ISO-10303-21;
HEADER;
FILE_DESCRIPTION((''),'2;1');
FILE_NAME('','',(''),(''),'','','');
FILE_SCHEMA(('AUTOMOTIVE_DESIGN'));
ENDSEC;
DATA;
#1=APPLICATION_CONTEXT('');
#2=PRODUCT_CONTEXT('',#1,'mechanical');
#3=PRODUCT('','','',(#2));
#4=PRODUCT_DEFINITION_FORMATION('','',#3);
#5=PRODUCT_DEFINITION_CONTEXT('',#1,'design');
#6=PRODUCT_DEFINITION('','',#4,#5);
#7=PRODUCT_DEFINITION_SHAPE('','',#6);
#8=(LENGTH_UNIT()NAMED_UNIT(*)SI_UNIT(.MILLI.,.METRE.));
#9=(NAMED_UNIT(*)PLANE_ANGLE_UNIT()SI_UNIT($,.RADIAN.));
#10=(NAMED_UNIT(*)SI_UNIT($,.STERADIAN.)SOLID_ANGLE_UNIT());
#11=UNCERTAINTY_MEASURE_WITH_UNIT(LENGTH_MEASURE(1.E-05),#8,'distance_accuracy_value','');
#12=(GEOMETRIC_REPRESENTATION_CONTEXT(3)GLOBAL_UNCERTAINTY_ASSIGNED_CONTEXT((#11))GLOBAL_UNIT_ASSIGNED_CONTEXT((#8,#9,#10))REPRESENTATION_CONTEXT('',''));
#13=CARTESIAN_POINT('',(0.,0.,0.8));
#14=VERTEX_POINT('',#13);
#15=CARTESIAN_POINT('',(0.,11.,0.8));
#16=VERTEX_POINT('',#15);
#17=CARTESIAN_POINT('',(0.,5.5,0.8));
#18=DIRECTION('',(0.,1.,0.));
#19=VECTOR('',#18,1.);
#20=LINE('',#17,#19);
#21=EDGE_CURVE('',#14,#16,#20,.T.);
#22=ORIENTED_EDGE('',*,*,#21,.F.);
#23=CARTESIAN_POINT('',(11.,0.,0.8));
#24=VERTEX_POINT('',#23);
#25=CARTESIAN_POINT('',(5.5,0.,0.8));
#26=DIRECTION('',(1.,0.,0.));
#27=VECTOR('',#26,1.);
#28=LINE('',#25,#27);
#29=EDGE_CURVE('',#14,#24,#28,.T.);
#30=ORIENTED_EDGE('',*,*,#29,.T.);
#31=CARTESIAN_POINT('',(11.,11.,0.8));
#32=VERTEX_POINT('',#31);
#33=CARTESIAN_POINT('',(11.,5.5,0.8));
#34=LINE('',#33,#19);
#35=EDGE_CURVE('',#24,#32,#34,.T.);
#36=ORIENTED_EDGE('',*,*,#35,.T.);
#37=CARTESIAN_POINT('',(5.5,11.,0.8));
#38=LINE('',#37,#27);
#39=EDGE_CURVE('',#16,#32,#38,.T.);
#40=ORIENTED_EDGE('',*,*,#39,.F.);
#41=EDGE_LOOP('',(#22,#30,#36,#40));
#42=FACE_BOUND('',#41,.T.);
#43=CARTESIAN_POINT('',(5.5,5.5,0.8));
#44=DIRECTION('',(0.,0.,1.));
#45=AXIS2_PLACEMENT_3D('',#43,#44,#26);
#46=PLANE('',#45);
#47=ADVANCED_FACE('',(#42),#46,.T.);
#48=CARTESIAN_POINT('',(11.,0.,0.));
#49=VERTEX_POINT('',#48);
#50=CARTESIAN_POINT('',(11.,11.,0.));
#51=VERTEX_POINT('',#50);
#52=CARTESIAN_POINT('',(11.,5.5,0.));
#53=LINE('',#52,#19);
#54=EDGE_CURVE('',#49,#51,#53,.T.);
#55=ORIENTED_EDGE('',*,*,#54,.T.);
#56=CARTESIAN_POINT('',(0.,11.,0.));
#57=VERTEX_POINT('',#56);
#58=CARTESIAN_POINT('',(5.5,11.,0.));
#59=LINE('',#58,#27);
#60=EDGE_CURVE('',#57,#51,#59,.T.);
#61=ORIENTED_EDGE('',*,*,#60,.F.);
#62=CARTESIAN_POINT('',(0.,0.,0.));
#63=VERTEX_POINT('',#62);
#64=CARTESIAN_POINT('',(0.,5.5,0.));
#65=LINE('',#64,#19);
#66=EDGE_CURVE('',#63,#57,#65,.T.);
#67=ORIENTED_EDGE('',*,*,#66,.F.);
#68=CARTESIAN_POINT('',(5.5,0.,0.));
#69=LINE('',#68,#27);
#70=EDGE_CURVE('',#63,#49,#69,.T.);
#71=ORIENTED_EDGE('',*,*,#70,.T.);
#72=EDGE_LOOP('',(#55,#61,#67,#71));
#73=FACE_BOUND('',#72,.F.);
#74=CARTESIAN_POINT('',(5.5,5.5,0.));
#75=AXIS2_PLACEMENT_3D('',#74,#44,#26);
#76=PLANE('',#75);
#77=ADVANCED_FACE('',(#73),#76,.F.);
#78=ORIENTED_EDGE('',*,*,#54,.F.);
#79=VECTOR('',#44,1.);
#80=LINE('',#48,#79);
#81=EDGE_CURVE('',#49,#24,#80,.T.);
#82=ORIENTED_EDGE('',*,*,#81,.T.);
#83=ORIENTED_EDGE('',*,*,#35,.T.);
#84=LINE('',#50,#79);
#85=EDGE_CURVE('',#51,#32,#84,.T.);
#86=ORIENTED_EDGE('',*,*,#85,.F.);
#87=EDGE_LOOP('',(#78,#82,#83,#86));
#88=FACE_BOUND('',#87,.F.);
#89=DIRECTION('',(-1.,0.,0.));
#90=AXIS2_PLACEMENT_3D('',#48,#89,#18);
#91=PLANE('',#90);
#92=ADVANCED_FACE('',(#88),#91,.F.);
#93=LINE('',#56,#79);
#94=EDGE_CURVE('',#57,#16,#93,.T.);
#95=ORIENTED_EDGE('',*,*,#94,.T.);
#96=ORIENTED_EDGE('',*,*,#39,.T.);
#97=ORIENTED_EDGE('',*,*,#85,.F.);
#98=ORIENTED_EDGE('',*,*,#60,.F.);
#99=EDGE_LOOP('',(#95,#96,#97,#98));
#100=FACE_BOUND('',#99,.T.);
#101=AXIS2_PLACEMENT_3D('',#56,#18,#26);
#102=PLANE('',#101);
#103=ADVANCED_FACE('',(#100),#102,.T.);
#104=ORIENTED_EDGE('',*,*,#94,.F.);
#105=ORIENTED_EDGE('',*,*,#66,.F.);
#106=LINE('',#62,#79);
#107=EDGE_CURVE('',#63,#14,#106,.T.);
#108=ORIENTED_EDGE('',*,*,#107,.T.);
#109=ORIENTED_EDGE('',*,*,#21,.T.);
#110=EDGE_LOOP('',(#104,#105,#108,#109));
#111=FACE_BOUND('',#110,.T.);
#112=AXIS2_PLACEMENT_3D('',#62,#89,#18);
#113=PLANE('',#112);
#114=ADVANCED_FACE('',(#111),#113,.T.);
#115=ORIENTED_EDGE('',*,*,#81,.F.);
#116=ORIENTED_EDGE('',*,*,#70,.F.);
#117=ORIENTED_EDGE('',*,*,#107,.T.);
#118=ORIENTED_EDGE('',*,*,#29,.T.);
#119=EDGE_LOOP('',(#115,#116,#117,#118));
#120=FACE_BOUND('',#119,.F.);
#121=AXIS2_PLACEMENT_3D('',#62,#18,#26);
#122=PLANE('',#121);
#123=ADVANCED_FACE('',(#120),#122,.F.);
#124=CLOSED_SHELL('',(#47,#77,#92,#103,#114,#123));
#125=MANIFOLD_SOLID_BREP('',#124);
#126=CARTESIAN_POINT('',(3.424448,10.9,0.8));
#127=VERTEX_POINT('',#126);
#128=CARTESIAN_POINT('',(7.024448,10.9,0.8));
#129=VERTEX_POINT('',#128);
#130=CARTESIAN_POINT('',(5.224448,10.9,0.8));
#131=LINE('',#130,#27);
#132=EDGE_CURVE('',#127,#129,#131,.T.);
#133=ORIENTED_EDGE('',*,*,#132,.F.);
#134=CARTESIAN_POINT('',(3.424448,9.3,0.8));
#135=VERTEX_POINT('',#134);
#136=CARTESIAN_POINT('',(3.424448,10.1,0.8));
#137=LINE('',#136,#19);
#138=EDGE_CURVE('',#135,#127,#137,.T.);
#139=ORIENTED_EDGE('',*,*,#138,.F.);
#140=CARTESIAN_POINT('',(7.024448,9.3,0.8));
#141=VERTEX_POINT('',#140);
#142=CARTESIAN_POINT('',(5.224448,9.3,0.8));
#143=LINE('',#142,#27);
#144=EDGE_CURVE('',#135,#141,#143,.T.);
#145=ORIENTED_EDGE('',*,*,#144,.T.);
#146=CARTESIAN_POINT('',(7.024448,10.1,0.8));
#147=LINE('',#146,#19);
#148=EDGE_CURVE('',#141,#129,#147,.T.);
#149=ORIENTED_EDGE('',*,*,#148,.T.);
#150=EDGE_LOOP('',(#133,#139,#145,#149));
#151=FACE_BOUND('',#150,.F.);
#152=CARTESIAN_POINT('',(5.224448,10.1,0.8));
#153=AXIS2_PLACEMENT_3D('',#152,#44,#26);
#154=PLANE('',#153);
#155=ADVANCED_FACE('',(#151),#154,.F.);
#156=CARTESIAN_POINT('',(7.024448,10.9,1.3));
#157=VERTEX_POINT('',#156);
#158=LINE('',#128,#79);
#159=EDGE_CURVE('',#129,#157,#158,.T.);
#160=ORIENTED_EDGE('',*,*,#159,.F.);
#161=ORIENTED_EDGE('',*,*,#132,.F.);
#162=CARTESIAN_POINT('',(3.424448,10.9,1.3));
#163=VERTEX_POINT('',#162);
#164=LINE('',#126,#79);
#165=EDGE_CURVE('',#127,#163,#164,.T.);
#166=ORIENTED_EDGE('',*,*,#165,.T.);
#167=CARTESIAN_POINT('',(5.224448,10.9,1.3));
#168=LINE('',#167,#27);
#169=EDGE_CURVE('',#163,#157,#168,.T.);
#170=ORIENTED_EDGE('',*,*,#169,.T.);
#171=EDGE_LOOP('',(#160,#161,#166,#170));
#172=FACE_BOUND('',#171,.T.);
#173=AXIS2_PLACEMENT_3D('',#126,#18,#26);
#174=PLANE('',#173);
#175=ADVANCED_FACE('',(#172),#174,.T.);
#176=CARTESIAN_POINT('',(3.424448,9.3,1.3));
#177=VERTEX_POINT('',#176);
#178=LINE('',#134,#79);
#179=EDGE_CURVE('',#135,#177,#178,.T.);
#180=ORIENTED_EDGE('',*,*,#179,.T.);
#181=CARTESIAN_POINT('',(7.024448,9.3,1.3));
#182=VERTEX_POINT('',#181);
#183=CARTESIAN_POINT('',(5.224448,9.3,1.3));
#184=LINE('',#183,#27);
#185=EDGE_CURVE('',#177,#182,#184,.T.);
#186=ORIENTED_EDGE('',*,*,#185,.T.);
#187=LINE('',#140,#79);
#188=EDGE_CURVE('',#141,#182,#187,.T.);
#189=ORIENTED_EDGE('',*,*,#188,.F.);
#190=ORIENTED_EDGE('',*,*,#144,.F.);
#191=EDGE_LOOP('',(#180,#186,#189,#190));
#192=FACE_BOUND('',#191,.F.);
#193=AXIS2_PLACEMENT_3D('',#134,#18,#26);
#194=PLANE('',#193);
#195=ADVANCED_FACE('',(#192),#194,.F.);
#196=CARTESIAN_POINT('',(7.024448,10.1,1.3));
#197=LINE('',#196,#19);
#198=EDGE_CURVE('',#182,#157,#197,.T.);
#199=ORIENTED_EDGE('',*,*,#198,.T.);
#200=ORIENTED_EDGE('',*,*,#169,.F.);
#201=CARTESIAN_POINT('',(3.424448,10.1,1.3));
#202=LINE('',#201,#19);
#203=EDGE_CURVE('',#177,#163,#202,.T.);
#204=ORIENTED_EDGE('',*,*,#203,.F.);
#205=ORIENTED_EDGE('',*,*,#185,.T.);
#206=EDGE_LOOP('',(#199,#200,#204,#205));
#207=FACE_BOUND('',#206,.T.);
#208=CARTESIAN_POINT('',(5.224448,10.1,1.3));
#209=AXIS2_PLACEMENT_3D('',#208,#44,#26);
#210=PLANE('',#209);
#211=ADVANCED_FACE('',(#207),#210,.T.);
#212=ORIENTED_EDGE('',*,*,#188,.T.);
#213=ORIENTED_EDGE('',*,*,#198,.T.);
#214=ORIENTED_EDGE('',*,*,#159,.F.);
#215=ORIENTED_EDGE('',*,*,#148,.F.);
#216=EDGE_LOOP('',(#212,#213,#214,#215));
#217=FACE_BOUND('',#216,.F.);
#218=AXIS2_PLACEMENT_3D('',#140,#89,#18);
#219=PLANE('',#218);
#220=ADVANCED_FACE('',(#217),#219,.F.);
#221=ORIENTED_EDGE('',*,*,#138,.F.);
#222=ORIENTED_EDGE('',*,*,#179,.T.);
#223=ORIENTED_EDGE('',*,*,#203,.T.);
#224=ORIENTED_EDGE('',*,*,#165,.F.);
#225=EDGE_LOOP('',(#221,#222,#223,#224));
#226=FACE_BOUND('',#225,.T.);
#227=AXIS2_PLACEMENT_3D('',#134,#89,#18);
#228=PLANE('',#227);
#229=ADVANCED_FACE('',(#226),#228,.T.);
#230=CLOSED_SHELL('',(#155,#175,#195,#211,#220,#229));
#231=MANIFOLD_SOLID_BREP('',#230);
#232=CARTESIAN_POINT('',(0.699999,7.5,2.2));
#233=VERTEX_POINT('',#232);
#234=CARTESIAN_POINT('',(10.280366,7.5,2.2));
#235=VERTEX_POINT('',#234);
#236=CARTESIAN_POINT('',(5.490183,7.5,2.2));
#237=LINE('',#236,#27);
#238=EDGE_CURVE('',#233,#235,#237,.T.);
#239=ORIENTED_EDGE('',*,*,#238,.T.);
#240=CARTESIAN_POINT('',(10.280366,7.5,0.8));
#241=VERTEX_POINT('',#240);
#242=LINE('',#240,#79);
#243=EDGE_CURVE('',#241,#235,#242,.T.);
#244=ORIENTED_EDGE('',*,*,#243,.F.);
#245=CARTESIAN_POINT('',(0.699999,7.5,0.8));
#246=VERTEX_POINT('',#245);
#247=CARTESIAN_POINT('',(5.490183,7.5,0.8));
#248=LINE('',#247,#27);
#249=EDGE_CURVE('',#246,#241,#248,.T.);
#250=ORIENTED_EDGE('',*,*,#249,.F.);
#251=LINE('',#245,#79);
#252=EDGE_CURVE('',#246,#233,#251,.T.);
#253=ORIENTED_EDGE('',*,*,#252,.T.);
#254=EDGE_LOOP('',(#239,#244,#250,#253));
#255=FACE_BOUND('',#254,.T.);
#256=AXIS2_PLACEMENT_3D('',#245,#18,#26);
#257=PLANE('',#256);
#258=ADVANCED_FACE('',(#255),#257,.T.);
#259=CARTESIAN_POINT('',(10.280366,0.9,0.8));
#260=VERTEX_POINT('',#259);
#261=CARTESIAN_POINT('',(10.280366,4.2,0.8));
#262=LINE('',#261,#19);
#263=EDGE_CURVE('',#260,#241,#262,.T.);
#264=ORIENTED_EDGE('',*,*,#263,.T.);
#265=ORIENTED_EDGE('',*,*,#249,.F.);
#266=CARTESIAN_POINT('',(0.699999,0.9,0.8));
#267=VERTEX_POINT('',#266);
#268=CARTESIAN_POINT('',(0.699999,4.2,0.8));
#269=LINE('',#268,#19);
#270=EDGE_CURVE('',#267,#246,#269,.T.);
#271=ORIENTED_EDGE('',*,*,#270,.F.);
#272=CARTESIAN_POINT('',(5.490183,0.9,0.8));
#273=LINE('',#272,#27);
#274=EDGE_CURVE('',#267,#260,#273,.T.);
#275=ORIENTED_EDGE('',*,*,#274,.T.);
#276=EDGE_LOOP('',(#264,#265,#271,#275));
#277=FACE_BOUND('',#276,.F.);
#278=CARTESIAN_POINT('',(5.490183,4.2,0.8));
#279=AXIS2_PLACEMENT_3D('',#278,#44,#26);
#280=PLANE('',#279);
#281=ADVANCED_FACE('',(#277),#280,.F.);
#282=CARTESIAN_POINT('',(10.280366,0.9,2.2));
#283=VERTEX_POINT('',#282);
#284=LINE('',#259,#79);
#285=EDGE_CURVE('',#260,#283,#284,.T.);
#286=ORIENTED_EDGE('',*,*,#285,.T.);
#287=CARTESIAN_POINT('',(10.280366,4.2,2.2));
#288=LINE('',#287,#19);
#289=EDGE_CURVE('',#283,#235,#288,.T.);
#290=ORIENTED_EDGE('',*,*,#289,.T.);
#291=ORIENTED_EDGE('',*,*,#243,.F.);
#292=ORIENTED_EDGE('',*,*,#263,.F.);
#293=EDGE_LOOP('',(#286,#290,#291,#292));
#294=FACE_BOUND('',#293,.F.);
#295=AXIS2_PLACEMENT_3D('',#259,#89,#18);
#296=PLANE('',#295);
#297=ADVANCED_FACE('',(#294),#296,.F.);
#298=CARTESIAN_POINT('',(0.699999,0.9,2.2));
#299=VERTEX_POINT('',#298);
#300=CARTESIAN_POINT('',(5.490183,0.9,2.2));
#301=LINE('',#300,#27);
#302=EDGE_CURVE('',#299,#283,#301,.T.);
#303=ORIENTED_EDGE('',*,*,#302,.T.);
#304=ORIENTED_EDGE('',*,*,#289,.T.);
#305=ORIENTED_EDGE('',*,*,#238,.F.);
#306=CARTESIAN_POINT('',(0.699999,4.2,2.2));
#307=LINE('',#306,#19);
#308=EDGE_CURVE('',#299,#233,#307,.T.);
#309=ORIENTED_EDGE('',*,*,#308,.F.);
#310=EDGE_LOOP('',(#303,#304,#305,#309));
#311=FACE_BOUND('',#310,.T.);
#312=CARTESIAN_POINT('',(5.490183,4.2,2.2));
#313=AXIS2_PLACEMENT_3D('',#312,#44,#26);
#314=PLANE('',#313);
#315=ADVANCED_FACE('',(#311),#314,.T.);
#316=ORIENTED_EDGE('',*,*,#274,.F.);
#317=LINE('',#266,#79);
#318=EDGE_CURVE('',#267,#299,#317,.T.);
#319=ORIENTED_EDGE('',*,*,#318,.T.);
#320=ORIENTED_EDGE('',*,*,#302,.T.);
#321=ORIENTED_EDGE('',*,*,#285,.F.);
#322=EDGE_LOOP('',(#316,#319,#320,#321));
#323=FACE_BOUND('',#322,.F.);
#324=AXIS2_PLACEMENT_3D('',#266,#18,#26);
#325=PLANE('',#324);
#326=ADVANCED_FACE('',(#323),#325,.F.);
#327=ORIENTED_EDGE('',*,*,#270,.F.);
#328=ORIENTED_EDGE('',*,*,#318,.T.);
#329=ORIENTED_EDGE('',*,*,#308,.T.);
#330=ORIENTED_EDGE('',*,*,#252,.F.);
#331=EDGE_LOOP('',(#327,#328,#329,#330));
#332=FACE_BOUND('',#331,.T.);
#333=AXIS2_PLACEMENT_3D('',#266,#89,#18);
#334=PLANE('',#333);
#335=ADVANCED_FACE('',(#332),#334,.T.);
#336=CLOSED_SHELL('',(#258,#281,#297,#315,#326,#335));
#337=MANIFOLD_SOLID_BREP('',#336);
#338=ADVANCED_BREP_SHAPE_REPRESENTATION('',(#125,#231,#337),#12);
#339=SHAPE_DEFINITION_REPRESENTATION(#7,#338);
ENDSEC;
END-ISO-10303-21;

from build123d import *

# Parameters (mm, degrees)
SKETCH_W         = 11
SKETCH_H         = 11
EXTRUDE001_DEPTH = 0.8
SKETCH001_W      = 9.580367
SKETCH001_H      = 6.6
EXTRUDE_DEPTH    = 1.4
SKETCH002_W      = 3.6
SKETCH002_H      = 1.6
EXTRUDE002_DEPTH = 0.5


with BuildPart() as extrude001:
    # Sketch → Extrude001 (new body)
    with BuildSketch(Plane.XY):
        with Locations((5.5, 5.5)):
            Rectangle(SKETCH_W, SKETCH_H)
    extrude(amount=EXTRUDE001_DEPTH)


with BuildPart() as extrude_body:
    # Sketch001 (on Face6 of Extrude001) → Extrude (new body)
    with BuildSketch(Plane.XY.offset(0.8)):
        with Locations((5.490183, 4.2)):
            Rectangle(SKETCH001_W, SKETCH001_H)
    extrude(amount=EXTRUDE_DEPTH)


with BuildPart() as extrude002:
    # Sketch002 (on Face6 of Extrude001) → Extrude002 (new body)
    with BuildSketch(Plane.XY.offset(0.8)):
        with Locations((5.224448, 10.1)):
            Rectangle(SKETCH002_W, SKETCH002_H)
    extrude(amount=EXTRUDE002_DEPTH)


solid = Compound([extrude001.part, extrude_body.part, extrude002.part])
